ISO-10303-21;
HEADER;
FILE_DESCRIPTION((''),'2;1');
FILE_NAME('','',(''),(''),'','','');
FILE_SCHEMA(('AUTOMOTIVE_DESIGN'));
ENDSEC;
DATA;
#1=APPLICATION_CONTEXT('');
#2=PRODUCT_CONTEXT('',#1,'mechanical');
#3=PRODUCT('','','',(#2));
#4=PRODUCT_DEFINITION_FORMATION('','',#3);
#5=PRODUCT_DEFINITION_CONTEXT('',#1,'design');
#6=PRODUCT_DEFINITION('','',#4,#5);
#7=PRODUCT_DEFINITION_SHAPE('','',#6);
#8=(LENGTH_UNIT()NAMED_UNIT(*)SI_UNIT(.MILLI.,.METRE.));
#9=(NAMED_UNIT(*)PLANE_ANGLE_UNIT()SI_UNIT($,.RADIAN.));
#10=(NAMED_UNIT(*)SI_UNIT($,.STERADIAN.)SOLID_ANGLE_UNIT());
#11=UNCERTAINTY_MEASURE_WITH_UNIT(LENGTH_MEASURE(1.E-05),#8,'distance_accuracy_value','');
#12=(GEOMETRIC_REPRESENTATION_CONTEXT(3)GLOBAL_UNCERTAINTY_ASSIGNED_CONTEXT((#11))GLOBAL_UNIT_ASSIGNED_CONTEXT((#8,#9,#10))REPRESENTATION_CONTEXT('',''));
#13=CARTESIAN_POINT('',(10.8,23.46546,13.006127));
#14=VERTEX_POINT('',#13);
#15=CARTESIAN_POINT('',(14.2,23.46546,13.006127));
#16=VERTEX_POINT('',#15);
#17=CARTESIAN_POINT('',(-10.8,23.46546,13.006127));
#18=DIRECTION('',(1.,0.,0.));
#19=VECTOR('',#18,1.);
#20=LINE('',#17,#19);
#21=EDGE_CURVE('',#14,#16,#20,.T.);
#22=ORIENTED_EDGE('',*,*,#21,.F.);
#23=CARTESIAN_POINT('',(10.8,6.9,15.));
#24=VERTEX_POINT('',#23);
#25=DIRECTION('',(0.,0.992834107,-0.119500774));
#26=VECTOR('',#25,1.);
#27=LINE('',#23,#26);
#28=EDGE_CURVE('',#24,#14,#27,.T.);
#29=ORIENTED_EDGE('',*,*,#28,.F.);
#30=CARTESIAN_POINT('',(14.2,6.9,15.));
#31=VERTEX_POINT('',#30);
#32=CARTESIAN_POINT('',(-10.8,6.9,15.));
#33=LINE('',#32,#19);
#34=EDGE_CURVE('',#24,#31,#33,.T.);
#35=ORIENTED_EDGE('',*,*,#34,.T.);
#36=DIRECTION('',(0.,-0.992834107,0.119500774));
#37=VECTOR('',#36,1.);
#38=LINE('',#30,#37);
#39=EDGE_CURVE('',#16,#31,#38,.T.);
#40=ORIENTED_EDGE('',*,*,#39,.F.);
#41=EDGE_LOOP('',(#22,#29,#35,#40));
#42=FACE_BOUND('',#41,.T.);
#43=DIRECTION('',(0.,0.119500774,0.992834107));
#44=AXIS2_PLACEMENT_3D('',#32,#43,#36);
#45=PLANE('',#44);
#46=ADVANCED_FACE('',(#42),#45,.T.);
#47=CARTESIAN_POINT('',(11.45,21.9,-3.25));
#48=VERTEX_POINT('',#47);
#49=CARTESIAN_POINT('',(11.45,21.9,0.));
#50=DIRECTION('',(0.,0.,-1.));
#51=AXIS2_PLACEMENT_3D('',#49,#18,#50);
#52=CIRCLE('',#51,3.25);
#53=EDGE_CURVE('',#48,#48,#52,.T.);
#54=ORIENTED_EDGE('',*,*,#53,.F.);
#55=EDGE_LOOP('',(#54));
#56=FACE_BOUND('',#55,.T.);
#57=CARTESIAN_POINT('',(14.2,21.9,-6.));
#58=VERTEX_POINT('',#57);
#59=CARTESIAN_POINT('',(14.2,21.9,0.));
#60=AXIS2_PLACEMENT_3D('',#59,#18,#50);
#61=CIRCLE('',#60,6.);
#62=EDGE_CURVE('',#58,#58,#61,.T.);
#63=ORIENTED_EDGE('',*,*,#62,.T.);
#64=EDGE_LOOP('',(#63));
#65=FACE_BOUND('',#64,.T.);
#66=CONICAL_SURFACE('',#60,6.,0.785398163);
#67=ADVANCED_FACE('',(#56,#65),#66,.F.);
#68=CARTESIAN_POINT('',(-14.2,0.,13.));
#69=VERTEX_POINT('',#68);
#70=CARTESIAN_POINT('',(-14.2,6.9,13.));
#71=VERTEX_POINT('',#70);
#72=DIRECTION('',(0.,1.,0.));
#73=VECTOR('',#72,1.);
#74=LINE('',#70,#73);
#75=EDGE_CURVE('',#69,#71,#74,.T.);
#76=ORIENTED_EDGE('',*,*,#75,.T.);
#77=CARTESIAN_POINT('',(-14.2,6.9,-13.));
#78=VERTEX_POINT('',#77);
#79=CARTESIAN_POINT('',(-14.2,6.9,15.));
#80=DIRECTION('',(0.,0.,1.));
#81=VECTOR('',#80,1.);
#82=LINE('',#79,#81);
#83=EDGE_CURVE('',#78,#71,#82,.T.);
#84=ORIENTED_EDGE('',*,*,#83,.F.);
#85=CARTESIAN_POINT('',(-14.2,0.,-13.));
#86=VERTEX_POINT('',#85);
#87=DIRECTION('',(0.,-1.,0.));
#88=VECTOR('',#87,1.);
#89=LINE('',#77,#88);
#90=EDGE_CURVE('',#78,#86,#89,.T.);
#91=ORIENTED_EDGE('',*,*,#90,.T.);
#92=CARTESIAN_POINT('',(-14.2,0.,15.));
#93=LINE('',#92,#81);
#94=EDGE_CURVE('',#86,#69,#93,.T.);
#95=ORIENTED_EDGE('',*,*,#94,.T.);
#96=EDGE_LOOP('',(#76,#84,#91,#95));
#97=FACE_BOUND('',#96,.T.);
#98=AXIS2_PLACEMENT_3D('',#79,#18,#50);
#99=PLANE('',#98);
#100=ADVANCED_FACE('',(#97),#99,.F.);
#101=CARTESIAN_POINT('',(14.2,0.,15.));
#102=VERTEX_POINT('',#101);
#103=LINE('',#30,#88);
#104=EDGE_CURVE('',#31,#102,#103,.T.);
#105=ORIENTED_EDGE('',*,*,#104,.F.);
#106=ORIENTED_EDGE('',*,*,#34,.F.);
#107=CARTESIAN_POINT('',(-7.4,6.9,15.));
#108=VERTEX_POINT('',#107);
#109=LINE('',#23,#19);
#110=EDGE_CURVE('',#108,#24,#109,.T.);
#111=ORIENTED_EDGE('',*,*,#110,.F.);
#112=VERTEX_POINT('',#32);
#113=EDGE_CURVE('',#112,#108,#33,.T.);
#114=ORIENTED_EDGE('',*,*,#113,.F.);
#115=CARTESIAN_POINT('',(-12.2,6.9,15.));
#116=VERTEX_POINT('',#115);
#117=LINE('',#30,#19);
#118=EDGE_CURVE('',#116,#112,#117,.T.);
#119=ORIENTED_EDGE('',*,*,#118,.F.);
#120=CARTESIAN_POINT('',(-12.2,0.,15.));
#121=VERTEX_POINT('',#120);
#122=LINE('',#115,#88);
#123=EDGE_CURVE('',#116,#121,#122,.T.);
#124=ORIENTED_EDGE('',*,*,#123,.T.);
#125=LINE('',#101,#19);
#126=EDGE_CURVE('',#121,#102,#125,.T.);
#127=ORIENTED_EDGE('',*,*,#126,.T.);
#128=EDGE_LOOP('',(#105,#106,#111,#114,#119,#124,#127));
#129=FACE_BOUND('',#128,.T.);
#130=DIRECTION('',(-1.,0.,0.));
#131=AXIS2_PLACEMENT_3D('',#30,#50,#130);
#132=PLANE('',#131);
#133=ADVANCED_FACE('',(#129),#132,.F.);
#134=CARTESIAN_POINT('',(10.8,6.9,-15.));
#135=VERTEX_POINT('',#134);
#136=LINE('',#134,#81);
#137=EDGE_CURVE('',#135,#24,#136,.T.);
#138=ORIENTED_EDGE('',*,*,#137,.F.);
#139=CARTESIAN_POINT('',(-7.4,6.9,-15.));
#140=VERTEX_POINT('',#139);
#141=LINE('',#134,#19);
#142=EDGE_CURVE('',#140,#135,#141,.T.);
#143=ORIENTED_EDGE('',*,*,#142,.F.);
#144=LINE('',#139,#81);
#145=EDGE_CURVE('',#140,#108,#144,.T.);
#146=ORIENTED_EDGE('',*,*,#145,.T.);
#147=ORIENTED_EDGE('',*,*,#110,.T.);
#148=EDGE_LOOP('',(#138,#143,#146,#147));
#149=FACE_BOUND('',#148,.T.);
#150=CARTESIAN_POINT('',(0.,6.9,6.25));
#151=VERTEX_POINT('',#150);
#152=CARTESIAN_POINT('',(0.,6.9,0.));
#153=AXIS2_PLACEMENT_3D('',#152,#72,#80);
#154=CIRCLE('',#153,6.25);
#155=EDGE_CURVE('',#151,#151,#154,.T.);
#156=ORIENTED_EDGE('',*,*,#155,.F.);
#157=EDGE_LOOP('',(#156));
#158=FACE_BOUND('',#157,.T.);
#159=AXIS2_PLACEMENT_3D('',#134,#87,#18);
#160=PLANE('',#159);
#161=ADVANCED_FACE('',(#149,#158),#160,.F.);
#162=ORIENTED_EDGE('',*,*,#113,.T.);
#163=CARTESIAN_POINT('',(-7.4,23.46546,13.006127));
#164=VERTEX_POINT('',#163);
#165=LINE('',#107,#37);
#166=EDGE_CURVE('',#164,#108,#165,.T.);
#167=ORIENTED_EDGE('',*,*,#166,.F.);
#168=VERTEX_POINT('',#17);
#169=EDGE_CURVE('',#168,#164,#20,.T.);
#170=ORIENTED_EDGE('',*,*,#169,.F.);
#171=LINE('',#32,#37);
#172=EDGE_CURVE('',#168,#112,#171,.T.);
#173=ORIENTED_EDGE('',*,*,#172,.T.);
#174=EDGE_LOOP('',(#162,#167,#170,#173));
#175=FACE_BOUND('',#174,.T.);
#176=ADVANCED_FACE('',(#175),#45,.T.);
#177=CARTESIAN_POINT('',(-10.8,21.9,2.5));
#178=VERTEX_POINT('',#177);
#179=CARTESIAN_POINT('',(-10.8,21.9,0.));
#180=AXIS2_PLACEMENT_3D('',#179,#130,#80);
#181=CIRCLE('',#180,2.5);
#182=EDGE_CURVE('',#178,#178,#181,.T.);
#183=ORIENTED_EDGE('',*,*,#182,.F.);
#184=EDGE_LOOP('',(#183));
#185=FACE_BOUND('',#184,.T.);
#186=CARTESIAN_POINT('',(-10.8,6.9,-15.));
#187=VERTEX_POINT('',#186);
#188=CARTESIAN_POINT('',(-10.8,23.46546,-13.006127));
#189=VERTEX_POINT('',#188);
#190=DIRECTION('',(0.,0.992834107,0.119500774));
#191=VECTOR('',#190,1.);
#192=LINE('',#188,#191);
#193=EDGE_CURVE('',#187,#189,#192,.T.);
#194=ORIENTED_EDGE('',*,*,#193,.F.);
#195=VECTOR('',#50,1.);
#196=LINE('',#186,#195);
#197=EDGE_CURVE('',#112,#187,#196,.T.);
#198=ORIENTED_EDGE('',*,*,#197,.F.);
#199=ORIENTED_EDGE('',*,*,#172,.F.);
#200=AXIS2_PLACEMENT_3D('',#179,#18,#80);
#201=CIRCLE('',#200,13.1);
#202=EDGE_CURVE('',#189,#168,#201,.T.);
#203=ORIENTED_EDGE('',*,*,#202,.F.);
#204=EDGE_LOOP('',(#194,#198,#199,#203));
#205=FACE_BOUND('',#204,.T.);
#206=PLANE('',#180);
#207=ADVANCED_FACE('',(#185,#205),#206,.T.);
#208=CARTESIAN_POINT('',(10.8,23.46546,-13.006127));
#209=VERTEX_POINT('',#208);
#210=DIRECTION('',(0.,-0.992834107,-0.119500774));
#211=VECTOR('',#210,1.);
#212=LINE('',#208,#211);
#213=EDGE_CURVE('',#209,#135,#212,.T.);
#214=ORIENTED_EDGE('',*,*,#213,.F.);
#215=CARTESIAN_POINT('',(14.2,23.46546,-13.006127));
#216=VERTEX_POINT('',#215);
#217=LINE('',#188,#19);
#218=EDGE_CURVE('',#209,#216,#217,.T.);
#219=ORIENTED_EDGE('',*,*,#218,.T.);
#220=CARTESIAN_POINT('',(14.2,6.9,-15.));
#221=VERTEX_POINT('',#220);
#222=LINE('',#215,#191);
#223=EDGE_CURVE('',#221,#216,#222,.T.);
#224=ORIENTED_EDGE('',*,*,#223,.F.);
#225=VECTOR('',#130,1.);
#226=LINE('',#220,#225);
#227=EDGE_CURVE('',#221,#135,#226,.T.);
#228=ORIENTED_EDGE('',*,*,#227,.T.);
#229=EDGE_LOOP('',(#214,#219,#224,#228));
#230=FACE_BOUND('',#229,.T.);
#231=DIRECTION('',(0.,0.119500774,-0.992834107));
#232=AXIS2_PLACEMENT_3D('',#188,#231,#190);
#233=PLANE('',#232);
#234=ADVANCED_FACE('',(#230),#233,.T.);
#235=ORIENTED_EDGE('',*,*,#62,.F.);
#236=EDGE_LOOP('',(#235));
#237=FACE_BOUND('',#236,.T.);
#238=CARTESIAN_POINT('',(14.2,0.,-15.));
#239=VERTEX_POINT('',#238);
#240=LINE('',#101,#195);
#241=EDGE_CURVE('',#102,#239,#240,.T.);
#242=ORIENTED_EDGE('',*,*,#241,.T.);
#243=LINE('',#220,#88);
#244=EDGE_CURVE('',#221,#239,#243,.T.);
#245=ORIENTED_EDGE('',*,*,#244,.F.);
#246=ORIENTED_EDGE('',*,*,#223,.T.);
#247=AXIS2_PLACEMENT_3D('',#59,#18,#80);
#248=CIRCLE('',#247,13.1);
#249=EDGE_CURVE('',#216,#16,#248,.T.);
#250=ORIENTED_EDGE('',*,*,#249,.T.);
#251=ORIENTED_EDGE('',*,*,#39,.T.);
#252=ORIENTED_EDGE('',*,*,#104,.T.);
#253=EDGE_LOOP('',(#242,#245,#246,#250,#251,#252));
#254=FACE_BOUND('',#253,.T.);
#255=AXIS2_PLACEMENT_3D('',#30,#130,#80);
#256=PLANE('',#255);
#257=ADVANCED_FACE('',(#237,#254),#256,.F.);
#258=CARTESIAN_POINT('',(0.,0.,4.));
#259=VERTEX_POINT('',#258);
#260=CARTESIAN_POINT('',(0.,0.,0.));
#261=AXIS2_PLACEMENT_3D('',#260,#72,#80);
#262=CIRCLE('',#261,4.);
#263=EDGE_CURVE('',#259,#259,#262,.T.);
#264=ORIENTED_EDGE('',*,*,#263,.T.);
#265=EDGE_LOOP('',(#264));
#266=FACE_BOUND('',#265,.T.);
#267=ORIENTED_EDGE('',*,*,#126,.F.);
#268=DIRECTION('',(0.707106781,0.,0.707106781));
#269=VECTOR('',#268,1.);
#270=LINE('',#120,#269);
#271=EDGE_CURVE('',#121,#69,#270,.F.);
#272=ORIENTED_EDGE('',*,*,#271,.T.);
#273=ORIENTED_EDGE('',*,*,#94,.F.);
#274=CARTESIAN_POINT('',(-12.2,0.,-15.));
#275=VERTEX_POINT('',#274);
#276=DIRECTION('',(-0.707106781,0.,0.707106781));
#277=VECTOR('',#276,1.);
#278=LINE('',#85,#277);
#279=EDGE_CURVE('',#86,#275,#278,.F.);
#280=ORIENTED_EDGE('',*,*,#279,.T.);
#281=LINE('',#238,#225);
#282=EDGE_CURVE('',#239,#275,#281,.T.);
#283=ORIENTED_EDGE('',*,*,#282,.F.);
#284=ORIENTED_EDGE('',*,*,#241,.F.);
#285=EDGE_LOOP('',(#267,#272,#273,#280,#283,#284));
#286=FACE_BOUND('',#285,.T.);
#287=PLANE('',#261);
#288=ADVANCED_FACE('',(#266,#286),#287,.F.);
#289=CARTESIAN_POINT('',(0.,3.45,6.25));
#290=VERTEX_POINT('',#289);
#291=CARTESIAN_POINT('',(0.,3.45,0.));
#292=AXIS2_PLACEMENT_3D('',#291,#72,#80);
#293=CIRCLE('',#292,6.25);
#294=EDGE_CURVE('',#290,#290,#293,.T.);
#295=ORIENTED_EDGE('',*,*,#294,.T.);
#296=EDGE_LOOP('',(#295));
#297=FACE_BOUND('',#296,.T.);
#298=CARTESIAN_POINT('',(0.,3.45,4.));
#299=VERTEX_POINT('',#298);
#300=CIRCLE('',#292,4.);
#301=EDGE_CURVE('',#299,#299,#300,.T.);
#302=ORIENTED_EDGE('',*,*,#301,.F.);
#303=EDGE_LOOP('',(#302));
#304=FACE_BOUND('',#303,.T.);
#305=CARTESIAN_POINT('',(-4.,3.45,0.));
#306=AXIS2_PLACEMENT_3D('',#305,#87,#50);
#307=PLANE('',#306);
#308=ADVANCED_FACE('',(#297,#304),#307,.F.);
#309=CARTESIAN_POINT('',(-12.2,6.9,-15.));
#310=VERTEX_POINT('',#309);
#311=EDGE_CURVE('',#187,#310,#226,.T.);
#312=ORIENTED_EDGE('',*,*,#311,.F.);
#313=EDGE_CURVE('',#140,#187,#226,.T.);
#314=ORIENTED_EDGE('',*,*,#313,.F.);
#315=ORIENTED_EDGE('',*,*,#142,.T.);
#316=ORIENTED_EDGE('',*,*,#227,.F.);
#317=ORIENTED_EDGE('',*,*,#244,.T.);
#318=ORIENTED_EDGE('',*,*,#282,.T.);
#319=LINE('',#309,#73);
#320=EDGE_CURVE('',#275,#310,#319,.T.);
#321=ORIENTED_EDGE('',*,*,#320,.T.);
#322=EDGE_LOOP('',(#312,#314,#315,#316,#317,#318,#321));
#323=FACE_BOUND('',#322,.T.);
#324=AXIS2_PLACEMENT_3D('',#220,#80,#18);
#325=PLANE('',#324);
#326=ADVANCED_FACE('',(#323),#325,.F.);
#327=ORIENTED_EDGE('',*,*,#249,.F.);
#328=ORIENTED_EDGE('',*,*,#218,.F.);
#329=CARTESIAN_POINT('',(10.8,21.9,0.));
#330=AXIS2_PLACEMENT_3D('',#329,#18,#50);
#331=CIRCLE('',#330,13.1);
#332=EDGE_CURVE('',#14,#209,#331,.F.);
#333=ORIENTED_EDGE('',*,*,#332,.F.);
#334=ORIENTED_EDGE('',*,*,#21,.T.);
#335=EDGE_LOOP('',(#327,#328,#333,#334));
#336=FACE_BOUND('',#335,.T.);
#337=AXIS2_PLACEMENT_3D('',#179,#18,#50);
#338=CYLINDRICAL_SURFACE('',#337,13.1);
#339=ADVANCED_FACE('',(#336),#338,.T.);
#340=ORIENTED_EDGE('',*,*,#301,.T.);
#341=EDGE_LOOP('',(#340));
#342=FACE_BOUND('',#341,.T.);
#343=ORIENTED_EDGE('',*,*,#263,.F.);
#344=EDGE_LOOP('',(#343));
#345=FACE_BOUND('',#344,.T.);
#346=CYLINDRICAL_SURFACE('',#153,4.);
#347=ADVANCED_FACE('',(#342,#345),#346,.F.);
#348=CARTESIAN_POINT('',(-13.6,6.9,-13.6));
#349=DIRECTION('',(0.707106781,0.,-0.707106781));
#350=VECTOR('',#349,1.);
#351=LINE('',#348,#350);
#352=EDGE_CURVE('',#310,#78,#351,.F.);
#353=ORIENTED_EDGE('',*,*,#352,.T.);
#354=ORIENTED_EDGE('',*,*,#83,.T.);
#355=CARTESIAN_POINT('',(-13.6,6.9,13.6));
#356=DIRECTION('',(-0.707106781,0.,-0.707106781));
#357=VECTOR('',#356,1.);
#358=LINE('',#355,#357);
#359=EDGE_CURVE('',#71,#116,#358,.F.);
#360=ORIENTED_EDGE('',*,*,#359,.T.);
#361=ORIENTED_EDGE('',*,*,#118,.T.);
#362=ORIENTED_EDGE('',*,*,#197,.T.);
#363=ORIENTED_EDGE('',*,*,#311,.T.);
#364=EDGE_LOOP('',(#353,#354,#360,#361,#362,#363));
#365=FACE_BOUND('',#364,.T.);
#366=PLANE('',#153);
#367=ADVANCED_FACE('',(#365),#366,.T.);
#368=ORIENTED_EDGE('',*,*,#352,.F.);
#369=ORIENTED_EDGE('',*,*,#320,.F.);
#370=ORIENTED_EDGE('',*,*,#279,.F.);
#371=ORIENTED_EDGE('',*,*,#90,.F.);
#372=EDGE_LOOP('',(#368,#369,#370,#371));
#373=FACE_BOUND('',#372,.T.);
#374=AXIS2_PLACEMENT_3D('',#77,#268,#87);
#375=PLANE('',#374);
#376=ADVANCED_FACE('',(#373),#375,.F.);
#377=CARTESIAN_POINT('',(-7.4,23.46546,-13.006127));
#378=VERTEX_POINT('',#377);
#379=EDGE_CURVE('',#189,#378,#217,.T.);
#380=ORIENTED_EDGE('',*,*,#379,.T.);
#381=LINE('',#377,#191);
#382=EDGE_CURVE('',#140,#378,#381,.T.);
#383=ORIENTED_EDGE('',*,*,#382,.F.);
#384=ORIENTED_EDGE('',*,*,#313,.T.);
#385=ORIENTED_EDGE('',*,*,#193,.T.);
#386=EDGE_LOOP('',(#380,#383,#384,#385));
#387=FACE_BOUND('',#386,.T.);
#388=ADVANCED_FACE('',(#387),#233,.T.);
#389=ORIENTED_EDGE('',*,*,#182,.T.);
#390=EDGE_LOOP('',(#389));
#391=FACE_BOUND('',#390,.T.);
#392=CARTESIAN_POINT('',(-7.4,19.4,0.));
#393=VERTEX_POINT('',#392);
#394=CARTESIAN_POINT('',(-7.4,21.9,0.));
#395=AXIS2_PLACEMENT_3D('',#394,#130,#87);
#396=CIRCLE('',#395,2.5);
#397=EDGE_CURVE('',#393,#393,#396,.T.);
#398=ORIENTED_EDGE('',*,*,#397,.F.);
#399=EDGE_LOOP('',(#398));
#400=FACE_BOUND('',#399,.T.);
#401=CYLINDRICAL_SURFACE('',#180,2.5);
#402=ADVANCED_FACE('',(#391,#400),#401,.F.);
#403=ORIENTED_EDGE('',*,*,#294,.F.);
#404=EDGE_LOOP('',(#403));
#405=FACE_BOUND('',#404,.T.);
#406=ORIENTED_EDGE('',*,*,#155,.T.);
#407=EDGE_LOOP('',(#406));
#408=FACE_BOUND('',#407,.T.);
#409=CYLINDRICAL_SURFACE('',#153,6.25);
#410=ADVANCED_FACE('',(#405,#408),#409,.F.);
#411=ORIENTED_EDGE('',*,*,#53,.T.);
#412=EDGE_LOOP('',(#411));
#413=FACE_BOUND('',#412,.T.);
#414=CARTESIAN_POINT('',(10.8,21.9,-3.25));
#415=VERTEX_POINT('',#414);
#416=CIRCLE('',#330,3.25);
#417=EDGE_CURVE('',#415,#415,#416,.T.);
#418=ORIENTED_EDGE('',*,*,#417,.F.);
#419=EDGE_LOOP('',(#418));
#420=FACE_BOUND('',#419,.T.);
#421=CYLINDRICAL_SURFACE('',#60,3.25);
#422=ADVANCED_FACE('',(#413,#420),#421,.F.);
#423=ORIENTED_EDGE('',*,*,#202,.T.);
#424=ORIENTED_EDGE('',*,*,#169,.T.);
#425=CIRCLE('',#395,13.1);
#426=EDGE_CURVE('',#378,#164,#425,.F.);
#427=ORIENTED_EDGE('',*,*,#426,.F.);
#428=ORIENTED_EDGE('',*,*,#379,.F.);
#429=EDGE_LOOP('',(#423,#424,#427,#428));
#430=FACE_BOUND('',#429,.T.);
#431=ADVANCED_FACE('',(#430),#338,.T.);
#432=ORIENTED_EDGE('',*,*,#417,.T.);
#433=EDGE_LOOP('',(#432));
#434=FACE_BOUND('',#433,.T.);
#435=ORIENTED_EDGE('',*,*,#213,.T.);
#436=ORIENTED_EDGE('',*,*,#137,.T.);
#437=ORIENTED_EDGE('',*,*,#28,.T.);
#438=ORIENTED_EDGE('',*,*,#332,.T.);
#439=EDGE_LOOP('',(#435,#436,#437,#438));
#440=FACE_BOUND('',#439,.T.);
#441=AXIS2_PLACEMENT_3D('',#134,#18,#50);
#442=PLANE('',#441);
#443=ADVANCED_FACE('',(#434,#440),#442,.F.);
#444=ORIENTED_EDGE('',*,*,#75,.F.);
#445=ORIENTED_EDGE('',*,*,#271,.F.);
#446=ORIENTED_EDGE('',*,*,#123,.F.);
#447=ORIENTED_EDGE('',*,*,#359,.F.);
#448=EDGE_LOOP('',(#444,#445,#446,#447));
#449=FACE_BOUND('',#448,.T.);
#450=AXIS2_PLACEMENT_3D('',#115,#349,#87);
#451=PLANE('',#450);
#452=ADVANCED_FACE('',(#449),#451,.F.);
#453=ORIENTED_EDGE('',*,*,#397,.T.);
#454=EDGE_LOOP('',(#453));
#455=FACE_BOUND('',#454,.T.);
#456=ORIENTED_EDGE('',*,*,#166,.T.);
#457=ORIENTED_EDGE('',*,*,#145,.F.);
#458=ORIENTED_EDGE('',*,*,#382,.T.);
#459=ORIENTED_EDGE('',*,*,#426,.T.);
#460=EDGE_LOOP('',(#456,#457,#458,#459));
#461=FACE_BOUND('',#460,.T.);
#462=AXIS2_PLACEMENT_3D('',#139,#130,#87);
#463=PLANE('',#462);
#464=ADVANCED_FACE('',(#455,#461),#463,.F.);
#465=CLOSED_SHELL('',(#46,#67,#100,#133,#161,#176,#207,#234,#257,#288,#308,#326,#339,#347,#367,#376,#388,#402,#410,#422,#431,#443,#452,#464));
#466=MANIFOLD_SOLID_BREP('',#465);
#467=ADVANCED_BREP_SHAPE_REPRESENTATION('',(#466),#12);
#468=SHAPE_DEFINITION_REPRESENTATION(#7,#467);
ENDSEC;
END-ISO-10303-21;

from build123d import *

# Parameters (mm, degrees)
SKETCH_1_W               = 28.4
SKETCH_1_H               = 30
EXTRUDE_1_DEPTH          = 6.9
EXTRUDE_2_DEPTH          = 25
SKETCH_4_W               = 18.2
SKETCH_4_H               = 28.1
CUT_EXTRUDE_1_DEPTH      = 16
CUT_EXTRUDE_1_DEPTH_BACK = 16
CHAMFER_1_SIZE           = 2
HOLE_WIZARD_M61_D        = 5
HOLE_WIZARD_M61_DEPTH    = 3.4


with BuildPart() as part:
    # Эскиз1 → Бобышка-Вытянуть1 (new body)
    with BuildSketch(Plane(origin=(0, 0, 0), x_dir=(1, 0, 0), z_dir=(0, 1, 0))):
        Rectangle(SKETCH_1_W, SKETCH_1_H)
    extrude(amount=EXTRUDE_1_DEPTH)

    # Эскиз2 → Вырез-Повернуть1 (revolve, cut)
    with BuildSketch(Plane.XY, mode=Mode.PRIVATE) as cut_revolve_1_sk:
        Polygon((-4, 0), (-4, 3.45), (-6.25, 3.45), (-6.25, 6.9), (0, 6.9), (0, 0), align=None)
    revolve(cut_revolve_1_sk.sketch.rotate(Axis((0, 6.9, 0), (0, -1, 0)), 270), axis=Axis((0, 6.9, 0), (0, -1, 0)), mode=Mode.SUBTRACT)  # turned: the seam where the file's is

    # Эскиз3 → Бобышка-Вытянуть2 (add)
    with BuildSketch(Plane(origin=(14.2, 0, 0), x_dir=(0, 0, -1), z_dir=(1, 0, 0))):
        with BuildLine():
            Line((-15, 6.9), (-13.006126808, 23.465460141))
            ThreePointArc((-13.006126808, 23.465460141), (0, 35), (13.006126808, 23.465460141))
            Line((13.006126808, 23.465460141), (15, 6.9))
            Line((15, 6.9), (-15, 6.9))
        make_face()
    extrude(amount=-EXTRUDE_2_DEPTH)

    # Эскиз4 → Вырез-Вытянуть1 (cut, two sides)
    with BuildSketch(Plane.XY) as cut_extrude_1_sk:
        with Locations((1.7, 20.95)):
            Rectangle(SKETCH_4_W, SKETCH_4_H)
    extrude(amount=CUT_EXTRUDE_1_DEPTH, mode=Mode.SUBTRACT)
    extrude(cut_extrude_1_sk.sketch, amount=-CUT_EXTRUDE_1_DEPTH_BACK, mode=Mode.SUBTRACT)

    # Фаска1
    chamfer_1_edges = [part.edges().sort_by_distance(p)[0] for p in [
        (-14.2, 3.45, -15),
        (-14.2, 3.45, 15),
    ]]
    chamfer(chamfer_1_edges, length=CHAMFER_1_SIZE)

    # Отверстие обработанное метчиком M61
    with Locations(Plane.ZY.offset(10.8)):
        with Locations((0, 21.9)):
            Hole(HOLE_WIZARD_M61_D / 2, depth=HOLE_WIZARD_M61_DEPTH)

    # Эскиз10 → Зенковка для винта с полупотайной головкой 1 (revolve, cut)
    with BuildSketch(Plane(origin=(14.2, 21.9, 0), x_dir=(0, 0, -1), z_dir=(0, 1, 0))):
        Polygon((0, 0), (0, 3.4), (3.25, 3.4), (3.25, 2.75), (6, 0), align=None)
    revolve(axis=Axis((20.55, 21.9, 0), (-1, 0, 0)), mode=Mode.SUBTRACT)


solid = part.part
